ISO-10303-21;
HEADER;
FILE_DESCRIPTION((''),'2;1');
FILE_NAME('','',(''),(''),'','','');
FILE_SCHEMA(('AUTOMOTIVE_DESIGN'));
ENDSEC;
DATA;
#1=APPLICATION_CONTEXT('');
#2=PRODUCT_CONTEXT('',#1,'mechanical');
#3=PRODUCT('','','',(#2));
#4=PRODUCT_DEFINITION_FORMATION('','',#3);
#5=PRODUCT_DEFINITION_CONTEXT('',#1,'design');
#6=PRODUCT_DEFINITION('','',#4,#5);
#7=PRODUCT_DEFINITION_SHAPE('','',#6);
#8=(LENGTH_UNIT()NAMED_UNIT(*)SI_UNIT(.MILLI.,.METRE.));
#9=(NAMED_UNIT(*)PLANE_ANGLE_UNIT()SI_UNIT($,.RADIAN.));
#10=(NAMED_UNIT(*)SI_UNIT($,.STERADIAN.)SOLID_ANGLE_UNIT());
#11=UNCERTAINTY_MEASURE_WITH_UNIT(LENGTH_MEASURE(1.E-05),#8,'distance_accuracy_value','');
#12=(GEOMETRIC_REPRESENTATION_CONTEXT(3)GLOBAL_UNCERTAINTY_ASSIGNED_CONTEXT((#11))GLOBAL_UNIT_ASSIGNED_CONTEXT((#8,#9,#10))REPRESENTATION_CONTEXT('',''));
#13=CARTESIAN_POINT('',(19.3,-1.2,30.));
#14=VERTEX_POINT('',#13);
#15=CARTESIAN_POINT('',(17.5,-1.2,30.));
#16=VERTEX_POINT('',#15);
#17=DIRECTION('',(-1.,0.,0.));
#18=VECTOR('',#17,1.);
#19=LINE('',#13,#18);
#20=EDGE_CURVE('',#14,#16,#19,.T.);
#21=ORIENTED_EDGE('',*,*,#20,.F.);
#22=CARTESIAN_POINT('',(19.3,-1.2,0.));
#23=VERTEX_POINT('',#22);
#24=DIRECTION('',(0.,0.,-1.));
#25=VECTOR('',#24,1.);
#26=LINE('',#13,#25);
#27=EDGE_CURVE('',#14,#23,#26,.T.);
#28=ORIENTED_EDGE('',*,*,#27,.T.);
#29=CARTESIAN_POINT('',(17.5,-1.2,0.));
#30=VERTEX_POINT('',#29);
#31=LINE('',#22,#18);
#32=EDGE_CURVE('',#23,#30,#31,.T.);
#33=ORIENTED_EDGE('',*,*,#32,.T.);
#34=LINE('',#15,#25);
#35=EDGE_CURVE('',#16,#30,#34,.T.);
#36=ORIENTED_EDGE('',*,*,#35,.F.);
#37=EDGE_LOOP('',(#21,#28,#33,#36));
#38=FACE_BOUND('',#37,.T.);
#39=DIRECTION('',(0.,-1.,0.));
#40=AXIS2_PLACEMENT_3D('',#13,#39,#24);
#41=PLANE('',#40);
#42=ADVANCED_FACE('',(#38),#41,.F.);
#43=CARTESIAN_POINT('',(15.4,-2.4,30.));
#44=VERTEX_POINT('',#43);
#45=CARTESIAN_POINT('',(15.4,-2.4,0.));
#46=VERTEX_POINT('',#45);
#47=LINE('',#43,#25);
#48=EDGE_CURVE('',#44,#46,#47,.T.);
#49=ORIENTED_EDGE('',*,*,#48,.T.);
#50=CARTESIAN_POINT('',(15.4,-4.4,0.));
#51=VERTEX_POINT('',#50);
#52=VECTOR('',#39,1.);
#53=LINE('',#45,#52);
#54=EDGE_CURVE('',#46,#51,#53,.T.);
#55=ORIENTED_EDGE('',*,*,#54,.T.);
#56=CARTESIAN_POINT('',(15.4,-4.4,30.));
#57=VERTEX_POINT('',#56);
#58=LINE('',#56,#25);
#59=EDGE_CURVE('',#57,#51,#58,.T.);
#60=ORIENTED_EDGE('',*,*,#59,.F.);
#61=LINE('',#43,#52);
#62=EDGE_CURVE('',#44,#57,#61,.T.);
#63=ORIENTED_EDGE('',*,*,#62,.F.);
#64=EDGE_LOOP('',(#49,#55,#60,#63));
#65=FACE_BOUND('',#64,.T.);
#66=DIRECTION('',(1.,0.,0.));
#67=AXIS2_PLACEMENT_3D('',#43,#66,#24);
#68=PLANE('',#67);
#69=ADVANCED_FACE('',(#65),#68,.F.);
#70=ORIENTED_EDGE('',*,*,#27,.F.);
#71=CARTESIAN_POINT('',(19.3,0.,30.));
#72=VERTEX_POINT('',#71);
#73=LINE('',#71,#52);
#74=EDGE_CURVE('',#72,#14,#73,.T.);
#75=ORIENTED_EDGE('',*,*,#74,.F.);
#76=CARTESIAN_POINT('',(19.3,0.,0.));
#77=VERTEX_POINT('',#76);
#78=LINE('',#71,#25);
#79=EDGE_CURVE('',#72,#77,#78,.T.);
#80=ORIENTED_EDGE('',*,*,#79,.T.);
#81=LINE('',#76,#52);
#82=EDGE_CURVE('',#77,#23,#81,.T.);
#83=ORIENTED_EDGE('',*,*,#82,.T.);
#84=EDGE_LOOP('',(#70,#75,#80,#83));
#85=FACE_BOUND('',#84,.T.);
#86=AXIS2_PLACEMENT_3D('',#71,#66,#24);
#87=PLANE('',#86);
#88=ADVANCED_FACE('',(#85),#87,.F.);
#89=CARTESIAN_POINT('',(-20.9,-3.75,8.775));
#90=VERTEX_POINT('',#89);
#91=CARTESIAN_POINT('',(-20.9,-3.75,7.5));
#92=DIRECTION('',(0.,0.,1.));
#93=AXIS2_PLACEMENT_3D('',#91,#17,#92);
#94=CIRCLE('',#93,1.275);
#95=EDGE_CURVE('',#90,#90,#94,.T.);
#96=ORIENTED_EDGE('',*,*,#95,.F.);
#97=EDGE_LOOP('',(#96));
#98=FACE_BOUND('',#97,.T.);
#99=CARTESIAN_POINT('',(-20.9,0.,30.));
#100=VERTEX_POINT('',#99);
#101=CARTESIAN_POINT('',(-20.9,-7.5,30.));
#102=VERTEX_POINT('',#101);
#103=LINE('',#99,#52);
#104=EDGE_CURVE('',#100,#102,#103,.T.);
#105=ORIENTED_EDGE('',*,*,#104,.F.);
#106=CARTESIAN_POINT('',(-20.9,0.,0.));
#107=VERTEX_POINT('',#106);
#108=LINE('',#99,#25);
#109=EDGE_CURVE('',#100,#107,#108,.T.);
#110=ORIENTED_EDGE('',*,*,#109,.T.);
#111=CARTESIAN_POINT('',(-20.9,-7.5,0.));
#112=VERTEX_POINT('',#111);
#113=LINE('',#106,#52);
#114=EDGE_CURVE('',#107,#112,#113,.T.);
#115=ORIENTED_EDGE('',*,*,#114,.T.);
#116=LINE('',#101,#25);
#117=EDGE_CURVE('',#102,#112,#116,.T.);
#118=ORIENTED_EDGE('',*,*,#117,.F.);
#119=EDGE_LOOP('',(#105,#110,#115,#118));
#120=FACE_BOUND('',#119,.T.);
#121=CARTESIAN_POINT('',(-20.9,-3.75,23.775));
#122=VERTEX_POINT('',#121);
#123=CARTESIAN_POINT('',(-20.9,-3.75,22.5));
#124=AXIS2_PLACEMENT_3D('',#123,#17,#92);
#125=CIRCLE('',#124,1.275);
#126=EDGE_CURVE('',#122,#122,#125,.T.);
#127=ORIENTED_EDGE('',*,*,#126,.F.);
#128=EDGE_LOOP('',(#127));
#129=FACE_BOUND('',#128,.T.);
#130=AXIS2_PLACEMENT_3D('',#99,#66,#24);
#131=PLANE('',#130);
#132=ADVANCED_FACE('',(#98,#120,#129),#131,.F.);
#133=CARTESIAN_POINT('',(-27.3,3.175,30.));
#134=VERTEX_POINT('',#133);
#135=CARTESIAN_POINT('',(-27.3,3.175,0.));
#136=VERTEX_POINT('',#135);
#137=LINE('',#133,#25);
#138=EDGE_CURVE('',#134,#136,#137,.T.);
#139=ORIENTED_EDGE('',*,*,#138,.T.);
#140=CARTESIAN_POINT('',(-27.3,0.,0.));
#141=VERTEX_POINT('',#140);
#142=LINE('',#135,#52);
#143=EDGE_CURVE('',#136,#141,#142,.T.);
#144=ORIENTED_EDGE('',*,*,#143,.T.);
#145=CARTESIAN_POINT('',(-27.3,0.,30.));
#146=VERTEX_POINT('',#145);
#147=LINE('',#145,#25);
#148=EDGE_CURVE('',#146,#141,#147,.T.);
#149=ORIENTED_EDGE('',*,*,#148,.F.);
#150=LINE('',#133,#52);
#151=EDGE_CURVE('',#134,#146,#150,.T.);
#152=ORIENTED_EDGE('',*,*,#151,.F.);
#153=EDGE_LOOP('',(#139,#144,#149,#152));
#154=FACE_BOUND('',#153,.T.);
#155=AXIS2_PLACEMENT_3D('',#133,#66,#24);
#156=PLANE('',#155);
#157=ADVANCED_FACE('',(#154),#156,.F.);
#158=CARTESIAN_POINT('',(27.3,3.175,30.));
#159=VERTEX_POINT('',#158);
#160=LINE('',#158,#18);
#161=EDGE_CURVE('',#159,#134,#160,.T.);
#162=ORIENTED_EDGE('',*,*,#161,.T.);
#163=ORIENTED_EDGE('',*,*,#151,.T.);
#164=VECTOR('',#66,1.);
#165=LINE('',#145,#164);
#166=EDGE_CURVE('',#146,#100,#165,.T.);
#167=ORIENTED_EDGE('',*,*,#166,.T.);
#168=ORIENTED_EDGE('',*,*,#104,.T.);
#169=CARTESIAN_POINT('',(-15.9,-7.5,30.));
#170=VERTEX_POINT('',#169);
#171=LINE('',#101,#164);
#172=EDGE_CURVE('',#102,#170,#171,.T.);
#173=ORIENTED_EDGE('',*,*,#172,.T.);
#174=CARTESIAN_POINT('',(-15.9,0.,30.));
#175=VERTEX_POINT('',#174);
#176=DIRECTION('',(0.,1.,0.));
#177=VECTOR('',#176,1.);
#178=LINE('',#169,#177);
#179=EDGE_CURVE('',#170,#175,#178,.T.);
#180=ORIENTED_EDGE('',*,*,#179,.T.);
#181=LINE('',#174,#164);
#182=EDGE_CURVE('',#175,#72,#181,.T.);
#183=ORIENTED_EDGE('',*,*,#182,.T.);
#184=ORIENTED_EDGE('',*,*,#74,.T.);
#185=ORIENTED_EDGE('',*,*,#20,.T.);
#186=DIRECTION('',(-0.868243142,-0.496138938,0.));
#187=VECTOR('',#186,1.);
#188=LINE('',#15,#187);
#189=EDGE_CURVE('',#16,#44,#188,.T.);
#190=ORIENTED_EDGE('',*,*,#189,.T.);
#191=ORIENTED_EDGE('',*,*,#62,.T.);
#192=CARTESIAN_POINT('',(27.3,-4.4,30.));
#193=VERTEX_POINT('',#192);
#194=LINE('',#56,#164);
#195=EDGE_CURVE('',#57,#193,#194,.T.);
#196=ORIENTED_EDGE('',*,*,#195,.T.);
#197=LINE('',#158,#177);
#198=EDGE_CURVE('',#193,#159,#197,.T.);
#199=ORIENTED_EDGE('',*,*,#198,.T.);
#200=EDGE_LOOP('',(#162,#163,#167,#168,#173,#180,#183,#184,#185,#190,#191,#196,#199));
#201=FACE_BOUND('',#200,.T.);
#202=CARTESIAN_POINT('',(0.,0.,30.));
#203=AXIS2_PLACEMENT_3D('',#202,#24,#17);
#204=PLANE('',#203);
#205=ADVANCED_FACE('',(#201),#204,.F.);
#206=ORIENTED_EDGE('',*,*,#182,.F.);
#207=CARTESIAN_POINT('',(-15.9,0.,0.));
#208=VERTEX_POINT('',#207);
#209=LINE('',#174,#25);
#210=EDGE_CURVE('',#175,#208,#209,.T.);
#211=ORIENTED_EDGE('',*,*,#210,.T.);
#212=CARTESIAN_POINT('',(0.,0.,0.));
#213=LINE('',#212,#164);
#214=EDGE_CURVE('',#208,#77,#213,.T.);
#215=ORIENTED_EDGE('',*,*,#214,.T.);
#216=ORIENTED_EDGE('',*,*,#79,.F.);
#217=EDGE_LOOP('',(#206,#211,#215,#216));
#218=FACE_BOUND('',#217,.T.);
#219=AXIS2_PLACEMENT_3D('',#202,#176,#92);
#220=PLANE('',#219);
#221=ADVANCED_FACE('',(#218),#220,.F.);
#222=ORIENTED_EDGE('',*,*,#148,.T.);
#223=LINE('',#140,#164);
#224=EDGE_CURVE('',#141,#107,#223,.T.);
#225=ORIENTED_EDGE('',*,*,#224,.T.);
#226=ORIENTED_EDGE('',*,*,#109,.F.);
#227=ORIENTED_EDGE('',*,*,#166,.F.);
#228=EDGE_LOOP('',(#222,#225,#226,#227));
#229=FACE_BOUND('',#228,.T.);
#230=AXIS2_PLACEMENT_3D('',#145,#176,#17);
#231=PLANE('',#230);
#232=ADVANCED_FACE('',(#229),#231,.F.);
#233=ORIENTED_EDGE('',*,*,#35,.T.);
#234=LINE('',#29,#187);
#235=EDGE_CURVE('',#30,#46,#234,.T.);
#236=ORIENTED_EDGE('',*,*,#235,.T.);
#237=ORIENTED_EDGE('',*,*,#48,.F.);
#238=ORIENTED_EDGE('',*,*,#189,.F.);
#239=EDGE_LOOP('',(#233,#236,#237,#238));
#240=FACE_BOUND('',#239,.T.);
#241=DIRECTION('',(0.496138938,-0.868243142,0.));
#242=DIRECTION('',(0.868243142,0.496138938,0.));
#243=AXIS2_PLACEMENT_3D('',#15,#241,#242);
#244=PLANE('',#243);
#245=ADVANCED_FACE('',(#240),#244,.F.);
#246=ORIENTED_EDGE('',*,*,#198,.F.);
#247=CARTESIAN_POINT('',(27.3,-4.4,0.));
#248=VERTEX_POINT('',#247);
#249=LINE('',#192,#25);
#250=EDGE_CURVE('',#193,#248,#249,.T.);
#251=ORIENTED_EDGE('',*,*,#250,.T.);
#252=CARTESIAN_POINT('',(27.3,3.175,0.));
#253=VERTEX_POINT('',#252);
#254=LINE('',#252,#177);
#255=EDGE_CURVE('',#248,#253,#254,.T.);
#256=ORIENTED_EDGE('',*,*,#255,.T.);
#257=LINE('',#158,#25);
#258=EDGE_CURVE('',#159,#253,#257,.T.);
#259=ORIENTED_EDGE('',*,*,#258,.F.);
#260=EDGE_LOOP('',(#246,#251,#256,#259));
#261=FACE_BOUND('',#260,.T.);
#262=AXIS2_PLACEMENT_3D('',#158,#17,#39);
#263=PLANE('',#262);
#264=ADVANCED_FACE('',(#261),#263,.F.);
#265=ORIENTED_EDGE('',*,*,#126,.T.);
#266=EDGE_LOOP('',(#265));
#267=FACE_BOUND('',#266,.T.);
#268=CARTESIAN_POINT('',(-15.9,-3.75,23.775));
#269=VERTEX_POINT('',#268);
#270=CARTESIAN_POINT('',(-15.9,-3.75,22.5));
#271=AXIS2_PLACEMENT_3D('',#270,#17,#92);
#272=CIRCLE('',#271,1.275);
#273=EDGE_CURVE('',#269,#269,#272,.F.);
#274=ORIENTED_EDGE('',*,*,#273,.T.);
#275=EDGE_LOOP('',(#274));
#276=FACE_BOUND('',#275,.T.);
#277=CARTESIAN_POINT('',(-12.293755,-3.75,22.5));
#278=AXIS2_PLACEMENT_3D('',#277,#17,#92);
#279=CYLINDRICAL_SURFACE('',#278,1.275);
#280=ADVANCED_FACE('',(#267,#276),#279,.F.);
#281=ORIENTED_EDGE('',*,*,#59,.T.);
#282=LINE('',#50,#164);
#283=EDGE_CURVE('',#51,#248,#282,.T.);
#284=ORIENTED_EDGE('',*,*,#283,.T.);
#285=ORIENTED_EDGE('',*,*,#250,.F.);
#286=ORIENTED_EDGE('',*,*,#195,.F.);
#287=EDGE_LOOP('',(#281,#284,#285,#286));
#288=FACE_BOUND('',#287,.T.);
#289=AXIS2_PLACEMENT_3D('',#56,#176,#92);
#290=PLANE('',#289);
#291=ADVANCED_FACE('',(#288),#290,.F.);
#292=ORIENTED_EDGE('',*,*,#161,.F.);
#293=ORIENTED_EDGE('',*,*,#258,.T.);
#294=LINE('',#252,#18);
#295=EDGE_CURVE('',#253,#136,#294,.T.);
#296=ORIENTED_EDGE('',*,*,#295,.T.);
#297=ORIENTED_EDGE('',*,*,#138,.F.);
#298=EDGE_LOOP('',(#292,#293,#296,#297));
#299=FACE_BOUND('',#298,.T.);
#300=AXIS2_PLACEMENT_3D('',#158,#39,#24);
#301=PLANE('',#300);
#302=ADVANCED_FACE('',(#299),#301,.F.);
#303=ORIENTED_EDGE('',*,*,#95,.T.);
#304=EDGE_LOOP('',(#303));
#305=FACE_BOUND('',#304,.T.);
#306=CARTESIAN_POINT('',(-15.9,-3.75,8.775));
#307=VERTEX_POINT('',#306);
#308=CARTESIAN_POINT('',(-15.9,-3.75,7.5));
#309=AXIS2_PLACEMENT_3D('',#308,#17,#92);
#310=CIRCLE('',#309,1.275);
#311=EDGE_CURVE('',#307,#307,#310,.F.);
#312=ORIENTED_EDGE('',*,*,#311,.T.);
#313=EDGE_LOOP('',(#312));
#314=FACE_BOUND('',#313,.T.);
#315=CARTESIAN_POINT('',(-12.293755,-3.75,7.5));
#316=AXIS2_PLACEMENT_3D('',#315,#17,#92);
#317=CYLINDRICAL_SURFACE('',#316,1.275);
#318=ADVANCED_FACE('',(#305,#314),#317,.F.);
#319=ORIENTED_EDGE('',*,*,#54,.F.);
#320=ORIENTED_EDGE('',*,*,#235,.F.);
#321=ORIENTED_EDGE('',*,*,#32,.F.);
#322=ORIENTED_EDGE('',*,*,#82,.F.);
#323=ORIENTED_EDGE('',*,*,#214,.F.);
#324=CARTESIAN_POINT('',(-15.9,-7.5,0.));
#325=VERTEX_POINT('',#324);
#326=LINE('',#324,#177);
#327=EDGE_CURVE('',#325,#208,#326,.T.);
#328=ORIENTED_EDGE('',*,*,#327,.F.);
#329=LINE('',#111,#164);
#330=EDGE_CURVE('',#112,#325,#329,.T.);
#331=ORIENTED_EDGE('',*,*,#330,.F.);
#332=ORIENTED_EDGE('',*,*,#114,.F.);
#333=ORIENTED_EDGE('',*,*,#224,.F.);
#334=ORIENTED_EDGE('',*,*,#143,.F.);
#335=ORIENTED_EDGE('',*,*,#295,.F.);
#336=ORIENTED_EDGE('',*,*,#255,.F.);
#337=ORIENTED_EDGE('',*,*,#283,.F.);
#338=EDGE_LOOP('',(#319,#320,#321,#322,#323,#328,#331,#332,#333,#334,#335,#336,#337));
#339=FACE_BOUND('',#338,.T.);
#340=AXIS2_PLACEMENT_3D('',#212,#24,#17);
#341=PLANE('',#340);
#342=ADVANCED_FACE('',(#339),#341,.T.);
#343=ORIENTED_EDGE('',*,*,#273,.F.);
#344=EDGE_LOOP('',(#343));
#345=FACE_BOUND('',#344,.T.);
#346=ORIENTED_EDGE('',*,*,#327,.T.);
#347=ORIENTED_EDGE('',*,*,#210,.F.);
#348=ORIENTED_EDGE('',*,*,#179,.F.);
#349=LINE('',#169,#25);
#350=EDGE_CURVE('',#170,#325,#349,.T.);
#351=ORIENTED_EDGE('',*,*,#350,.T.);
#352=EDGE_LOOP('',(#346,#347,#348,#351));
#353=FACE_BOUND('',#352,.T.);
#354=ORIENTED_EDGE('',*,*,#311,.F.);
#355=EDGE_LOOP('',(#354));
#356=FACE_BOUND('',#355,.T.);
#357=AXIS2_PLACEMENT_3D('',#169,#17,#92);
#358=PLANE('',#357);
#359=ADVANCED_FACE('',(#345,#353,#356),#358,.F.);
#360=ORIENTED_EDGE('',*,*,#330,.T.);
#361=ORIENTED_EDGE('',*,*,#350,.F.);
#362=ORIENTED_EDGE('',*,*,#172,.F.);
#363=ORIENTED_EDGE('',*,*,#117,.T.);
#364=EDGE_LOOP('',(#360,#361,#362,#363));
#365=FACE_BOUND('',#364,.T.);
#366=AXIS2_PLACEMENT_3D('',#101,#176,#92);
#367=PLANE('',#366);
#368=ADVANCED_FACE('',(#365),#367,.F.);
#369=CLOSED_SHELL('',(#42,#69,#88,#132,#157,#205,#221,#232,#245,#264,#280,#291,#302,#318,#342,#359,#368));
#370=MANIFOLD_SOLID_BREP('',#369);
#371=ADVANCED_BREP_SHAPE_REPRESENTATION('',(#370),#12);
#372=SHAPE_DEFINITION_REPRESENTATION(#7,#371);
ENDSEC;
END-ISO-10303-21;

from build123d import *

# Parameters (mm, degrees)
BOSS_EXTRUDE1_DEPTH = 30
SKETCH2_R           = 1.275
CUT_EXTRUDE1_DEPTH  = 5


with BuildPart() as part:
    # Sketch1 → Boss-Extrude1 (new body)
    with BuildSketch(Plane.XY):
        Polygon((0, 0), (19.3, 0), (19.3, -1.2), (17.5, -1.2), (15.4, -2.4), (15.4, -4.4), (27.3, -4.4), (27.3, 3.175), (-27.3, 3.175), (-27.3, 0), (-20.9, 0), (-20.9, -7.5), (-15.9, -7.5), (-15.9, 0), align=None)
    extrude(amount=BOSS_EXTRUDE1_DEPTH)

    # Sketch2 → Cut-Extrude1 (cut)
    with BuildSketch(Plane.ZY.offset(20.9)):
        with Locations((7.5, -3.75)):
            Circle(SKETCH2_R)
        with Locations((22.5, -3.75)):
            Circle(SKETCH2_R)
    extrude(amount=-CUT_EXTRUDE1_DEPTH, mode=Mode.SUBTRACT)


solid = part.part
